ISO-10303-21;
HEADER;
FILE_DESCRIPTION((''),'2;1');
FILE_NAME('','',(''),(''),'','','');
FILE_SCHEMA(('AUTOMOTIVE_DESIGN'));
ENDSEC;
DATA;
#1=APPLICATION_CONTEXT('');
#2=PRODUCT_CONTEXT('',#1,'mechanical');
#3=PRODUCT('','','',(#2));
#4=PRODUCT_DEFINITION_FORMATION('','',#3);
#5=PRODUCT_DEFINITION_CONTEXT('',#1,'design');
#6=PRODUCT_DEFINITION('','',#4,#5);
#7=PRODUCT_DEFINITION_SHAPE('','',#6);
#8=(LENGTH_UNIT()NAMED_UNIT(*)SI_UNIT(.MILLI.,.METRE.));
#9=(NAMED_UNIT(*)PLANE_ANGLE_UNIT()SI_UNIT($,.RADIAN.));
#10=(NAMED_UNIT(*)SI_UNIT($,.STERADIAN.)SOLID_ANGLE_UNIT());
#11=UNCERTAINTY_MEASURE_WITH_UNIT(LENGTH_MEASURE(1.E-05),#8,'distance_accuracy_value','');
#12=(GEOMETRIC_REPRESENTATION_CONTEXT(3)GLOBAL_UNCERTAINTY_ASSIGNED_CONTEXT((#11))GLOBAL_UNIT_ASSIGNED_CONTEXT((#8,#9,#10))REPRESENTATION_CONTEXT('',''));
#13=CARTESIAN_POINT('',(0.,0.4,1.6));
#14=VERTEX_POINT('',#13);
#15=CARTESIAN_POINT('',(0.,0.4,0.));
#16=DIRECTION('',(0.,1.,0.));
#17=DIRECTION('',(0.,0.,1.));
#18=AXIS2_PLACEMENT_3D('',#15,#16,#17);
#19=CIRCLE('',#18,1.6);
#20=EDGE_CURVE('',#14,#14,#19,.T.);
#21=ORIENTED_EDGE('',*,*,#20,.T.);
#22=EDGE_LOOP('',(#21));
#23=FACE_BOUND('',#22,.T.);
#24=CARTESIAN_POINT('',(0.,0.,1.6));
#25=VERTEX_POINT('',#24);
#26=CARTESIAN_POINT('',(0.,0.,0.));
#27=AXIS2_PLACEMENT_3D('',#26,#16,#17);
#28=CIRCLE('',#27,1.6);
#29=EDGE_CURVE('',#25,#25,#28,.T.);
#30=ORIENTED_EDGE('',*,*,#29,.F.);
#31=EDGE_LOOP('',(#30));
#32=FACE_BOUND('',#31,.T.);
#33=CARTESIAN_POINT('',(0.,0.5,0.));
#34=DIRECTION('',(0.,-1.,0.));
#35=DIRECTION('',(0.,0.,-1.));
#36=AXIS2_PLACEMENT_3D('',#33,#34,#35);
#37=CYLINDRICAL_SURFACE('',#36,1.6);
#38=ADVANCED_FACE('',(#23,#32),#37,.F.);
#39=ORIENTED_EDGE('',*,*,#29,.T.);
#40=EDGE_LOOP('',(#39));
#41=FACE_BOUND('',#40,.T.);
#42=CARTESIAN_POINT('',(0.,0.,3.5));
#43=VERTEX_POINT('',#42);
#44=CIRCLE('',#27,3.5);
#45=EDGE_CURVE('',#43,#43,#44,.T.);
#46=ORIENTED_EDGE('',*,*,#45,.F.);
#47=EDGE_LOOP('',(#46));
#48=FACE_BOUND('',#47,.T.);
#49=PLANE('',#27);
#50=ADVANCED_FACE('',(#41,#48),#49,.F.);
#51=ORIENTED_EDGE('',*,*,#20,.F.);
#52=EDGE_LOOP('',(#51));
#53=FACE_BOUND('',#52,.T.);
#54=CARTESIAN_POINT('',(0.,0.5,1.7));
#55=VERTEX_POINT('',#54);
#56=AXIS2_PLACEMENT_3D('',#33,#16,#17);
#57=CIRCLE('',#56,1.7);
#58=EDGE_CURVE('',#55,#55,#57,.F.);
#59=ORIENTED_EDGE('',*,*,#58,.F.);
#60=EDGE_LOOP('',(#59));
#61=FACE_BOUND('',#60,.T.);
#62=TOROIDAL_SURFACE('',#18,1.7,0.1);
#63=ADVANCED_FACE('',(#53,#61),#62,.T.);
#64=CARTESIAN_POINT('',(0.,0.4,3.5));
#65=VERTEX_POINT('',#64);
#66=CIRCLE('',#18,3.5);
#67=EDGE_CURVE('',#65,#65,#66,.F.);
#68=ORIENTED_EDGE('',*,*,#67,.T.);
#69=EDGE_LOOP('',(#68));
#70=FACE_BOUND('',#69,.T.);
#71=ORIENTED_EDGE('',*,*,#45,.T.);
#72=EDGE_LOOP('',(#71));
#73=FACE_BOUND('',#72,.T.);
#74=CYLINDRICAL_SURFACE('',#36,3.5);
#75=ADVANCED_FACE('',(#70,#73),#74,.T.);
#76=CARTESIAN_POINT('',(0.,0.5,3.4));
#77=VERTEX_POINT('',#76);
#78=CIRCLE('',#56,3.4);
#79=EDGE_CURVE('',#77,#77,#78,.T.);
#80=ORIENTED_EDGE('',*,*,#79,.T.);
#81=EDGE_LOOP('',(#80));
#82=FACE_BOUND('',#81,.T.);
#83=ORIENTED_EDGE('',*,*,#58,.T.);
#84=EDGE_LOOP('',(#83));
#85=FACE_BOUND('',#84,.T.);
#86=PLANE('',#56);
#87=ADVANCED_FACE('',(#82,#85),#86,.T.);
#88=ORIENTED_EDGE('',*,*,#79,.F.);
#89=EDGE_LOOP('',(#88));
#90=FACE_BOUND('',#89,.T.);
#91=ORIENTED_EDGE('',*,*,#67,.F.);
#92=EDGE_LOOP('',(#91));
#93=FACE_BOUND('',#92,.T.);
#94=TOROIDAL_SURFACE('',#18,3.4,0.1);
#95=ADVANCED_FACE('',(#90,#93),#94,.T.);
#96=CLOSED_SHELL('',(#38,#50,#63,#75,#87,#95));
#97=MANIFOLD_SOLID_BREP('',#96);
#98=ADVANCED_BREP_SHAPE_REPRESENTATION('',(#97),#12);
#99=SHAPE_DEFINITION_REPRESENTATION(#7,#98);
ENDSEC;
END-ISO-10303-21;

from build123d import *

# Parameters (mm, degrees)
SZKIC1_R                    = 3.5
SZKIC1_R_2                  = 1.6
DODANIE_WYCI_GNI_CIE1_DEPTH = 0.5
ZAOKR_GLENIE1_R             = 0.1


with BuildPart() as part:
    # Szkic1 → Dodanie-wyciągnięcie1 (new body)
    with BuildSketch(Plane(origin=(0, 0, 0), x_dir=(1, 0, 0), z_dir=(0, 1, 0))):
        with Locations(Location((0, 0, 0), (0, 0, 270))):
            Circle(SZKIC1_R)
        with Locations(Location((0, 0, 0), (0, 0, 270))):
            Circle(SZKIC1_R_2, mode=Mode.SUBTRACT)
    extrude(amount=DODANIE_WYCI_GNI_CIE1_DEPTH)

    # Zaokrąglenie1
    zaokr_glenie1_edges = [part.edges().sort_by_distance(p)[0] for p in [
        (0, 0.5, -3.5),
        (0, 0.5, -1.6),
    ]]
    fillet(zaokr_glenie1_edges, radius=ZAOKR_GLENIE1_R)


solid = part.part
